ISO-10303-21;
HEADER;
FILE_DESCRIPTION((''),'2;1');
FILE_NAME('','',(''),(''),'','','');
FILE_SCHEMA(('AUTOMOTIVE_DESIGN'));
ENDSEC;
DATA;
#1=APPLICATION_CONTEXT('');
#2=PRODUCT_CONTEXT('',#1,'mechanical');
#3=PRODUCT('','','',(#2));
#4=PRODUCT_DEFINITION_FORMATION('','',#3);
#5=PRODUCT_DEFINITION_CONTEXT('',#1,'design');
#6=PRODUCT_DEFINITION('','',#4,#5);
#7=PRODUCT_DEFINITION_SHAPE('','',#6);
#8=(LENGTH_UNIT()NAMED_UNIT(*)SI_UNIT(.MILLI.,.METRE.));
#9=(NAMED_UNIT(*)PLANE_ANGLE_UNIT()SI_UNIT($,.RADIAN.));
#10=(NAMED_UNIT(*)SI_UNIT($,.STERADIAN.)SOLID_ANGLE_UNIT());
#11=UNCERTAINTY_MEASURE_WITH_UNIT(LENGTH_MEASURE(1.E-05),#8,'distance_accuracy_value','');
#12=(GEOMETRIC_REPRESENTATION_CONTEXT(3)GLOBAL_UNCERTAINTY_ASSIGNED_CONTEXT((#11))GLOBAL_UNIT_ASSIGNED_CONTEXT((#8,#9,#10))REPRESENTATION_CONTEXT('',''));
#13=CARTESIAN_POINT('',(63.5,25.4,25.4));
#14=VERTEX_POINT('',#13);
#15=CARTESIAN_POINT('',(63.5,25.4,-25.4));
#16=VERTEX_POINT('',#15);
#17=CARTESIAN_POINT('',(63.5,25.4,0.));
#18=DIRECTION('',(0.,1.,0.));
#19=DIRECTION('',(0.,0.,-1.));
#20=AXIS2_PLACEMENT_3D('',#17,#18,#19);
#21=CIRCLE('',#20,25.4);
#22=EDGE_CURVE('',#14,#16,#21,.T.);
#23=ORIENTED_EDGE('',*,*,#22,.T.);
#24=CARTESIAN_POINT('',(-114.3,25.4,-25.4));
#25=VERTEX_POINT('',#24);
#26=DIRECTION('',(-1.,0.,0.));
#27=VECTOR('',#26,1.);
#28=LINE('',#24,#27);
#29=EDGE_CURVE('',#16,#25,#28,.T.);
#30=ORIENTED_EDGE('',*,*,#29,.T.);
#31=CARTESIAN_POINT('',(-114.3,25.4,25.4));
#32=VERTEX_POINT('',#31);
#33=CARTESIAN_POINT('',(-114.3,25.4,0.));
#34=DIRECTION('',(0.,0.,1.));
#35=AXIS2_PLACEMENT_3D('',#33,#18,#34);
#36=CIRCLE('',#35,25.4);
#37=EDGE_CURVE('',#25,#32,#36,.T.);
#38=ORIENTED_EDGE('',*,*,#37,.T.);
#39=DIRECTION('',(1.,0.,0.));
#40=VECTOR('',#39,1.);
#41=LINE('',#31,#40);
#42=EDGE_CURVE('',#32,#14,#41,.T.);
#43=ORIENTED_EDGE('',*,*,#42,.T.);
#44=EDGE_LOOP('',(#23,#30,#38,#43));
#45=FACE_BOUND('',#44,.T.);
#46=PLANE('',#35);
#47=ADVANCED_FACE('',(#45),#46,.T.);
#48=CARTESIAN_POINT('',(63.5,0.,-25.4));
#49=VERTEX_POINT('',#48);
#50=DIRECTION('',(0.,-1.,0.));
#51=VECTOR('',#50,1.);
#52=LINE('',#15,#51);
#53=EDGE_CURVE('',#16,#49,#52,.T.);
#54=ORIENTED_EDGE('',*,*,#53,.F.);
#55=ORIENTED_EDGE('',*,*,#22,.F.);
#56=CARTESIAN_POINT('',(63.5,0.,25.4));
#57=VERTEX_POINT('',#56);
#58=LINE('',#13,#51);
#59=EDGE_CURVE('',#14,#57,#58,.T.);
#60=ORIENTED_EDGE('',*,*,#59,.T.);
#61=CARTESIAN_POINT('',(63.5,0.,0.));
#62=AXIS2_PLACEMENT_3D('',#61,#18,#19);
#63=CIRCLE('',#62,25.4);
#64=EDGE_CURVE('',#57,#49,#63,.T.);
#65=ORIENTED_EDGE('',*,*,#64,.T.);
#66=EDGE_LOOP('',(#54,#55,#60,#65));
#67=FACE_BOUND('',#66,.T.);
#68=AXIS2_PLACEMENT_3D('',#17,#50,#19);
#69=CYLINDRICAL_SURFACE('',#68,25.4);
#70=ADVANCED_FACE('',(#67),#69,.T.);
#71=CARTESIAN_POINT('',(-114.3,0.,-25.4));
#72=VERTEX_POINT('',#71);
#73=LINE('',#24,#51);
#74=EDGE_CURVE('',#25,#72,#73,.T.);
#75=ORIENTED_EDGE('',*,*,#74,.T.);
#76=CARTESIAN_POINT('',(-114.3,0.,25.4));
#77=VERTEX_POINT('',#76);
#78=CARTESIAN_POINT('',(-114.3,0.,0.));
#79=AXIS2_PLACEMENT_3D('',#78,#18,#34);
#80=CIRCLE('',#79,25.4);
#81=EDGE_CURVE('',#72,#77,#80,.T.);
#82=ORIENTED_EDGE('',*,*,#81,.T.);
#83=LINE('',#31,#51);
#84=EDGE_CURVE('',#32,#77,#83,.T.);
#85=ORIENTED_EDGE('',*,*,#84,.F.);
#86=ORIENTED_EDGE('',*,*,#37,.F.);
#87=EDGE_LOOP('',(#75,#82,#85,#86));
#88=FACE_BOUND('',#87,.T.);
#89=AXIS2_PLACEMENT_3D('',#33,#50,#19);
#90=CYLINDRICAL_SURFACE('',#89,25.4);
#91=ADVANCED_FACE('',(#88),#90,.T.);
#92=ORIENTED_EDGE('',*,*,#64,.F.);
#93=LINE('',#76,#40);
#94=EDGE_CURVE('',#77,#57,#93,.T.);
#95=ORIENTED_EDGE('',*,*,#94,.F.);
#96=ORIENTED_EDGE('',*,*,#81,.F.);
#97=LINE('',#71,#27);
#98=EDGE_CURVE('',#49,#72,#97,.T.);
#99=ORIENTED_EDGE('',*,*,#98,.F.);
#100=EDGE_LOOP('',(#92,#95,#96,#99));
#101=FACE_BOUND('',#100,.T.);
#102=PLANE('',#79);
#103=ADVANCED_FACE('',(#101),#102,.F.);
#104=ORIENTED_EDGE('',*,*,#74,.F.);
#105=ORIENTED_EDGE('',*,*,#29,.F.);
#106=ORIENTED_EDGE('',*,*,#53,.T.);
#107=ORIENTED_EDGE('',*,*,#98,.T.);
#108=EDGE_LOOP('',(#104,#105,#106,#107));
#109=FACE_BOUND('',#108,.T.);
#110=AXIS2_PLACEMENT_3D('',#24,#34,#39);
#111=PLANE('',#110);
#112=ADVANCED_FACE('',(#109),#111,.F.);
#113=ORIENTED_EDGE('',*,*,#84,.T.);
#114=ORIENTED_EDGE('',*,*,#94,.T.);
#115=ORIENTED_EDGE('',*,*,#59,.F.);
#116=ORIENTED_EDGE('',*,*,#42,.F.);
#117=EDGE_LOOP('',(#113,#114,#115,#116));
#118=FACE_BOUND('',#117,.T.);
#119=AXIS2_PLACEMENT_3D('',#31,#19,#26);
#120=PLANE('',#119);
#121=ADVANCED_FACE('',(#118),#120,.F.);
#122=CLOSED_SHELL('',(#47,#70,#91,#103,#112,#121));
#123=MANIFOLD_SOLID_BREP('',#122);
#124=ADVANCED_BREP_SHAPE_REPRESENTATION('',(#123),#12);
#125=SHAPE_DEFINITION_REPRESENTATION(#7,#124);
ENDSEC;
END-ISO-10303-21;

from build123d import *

# Parameters (mm, degrees)
BOSS_EXTRUDE1_DEPTH = 25.4


with BuildPart() as part:
    # Sketch1 → Boss-Extrude1 (new body)
    with BuildSketch(Plane(origin=(0, 0, 0), x_dir=(1, 0, 0), z_dir=(0, 1, 0))):
        with BuildLine():
            Line((-114.3, 25.4), (63.5, 25.4))
            ThreePointArc((63.5, 25.4), (88.9, 0), (63.5, -25.4))
            Line((63.5, -25.4), (-114.3, -25.4))
            ThreePointArc((-114.3, -25.4), (-139.7, 0), (-114.3, 25.4))
        make_face()
    extrude(amount=BOSS_EXTRUDE1_DEPTH)


solid = part.part
